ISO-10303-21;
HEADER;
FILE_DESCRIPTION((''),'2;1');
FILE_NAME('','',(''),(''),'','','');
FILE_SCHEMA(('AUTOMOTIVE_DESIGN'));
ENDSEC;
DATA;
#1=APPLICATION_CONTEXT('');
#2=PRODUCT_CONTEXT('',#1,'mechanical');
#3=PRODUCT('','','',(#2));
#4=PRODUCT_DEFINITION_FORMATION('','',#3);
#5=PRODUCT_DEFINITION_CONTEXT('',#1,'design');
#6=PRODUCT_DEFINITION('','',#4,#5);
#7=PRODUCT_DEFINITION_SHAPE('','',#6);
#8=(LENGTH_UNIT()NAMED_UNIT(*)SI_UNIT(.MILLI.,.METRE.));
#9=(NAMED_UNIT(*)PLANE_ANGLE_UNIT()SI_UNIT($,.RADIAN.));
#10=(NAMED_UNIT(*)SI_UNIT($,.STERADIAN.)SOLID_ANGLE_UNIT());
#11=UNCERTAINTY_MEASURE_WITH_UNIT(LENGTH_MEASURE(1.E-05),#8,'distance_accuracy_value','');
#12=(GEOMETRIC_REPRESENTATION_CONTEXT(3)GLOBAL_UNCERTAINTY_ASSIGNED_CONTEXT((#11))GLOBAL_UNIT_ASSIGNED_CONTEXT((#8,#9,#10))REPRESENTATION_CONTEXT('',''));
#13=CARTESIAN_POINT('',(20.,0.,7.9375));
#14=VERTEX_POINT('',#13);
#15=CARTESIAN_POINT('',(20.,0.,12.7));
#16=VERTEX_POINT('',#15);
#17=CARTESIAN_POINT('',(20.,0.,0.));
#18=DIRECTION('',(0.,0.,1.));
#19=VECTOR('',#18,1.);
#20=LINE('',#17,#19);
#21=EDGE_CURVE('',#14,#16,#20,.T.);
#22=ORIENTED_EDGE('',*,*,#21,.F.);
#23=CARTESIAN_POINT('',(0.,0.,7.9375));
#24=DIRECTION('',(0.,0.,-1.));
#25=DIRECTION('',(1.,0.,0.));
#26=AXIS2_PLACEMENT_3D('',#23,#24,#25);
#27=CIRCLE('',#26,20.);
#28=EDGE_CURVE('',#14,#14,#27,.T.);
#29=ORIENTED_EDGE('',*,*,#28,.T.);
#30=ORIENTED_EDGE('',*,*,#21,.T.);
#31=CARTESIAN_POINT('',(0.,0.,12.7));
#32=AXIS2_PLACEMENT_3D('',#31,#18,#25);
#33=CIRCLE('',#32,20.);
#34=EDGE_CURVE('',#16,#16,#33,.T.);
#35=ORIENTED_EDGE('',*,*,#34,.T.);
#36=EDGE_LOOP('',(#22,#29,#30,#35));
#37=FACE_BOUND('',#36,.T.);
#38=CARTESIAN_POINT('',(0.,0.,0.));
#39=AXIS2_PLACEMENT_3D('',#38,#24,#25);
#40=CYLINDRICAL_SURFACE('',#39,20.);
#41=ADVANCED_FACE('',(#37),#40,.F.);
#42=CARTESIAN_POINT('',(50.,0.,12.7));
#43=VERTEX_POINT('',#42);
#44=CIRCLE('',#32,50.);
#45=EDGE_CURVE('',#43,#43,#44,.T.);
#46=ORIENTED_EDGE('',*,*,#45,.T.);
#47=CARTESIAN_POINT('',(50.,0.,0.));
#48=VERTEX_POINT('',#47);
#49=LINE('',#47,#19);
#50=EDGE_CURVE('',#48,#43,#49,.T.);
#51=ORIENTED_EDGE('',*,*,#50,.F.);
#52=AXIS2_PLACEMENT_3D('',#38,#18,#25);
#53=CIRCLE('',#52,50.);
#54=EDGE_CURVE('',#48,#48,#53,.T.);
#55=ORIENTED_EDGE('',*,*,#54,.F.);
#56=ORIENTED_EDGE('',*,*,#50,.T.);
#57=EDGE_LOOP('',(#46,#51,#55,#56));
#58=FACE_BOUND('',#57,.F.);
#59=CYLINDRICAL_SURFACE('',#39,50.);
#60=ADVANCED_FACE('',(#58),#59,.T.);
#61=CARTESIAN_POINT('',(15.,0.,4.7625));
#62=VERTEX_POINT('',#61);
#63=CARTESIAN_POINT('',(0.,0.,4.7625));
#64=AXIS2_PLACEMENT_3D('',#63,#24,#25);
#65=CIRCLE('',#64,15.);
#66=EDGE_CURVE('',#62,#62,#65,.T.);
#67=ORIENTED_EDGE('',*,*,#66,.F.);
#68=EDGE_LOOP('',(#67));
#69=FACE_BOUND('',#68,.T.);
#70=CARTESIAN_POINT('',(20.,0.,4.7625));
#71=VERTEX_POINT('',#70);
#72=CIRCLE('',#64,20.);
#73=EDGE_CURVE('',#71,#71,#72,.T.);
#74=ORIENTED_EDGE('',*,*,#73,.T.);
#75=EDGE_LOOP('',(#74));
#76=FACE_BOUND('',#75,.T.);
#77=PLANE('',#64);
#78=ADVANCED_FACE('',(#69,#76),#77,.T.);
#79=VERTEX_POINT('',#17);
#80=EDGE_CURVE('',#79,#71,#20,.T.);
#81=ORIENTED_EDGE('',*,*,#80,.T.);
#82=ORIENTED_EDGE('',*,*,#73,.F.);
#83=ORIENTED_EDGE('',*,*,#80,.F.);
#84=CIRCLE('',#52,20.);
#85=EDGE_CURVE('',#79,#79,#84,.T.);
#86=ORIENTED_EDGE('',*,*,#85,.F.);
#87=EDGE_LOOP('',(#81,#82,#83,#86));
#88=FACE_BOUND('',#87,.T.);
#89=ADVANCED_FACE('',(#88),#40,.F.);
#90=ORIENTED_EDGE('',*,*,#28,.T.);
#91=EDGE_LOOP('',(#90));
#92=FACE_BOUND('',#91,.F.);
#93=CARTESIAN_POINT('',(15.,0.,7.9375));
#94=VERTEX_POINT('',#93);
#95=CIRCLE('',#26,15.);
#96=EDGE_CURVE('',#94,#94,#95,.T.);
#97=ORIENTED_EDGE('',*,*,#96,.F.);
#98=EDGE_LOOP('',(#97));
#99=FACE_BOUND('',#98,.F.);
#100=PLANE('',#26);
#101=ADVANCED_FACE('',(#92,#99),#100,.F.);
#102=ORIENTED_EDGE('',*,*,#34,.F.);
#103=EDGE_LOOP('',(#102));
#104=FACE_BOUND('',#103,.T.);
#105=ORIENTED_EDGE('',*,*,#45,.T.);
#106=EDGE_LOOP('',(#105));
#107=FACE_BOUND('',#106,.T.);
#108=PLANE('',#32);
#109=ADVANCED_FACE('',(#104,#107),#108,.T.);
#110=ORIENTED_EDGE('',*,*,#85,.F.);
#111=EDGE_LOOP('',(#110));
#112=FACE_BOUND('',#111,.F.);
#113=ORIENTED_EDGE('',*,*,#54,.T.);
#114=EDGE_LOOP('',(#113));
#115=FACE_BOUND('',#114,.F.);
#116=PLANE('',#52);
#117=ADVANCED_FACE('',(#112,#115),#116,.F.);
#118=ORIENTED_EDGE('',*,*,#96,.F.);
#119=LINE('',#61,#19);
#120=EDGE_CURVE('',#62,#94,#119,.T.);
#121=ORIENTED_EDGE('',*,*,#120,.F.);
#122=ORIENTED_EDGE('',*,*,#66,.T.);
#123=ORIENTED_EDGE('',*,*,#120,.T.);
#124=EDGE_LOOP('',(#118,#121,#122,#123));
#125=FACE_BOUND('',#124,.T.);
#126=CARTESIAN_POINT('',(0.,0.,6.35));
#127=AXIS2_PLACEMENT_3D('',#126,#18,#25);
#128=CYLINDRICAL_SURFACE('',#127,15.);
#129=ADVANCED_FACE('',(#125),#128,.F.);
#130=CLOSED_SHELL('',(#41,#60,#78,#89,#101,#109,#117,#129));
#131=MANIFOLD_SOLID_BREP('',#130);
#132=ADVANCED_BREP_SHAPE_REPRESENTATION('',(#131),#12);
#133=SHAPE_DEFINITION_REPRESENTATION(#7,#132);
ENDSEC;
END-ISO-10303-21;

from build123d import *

# Parameters (mm, degrees)
F0_R     = 50
F0_R_2   = 20
F1_DEPTH = 12.7
F3_R     = 20
F3_R_2   = 15
F4_DEPTH = 1.5875


with BuildPart() as f1:
    # F0 (on Top) → F1 (new body)
    with BuildSketch(Plane.XY):
        Circle(F0_R)
        Circle(F0_R_2, mode=Mode.SUBTRACT)
    extrude(amount=F1_DEPTH)

    # F3 (on mid) → F4 (join, symmetric)
    with BuildSketch(Plane(origin=(0, 0, 6.35), x_dir=(1, 0, 0), z_dir=(0, 0, -1))):
        Circle(F3_R)
        Circle(F3_R_2, mode=Mode.SUBTRACT)
    extrude(amount=F4_DEPTH, both=True)


solid = f1.part
